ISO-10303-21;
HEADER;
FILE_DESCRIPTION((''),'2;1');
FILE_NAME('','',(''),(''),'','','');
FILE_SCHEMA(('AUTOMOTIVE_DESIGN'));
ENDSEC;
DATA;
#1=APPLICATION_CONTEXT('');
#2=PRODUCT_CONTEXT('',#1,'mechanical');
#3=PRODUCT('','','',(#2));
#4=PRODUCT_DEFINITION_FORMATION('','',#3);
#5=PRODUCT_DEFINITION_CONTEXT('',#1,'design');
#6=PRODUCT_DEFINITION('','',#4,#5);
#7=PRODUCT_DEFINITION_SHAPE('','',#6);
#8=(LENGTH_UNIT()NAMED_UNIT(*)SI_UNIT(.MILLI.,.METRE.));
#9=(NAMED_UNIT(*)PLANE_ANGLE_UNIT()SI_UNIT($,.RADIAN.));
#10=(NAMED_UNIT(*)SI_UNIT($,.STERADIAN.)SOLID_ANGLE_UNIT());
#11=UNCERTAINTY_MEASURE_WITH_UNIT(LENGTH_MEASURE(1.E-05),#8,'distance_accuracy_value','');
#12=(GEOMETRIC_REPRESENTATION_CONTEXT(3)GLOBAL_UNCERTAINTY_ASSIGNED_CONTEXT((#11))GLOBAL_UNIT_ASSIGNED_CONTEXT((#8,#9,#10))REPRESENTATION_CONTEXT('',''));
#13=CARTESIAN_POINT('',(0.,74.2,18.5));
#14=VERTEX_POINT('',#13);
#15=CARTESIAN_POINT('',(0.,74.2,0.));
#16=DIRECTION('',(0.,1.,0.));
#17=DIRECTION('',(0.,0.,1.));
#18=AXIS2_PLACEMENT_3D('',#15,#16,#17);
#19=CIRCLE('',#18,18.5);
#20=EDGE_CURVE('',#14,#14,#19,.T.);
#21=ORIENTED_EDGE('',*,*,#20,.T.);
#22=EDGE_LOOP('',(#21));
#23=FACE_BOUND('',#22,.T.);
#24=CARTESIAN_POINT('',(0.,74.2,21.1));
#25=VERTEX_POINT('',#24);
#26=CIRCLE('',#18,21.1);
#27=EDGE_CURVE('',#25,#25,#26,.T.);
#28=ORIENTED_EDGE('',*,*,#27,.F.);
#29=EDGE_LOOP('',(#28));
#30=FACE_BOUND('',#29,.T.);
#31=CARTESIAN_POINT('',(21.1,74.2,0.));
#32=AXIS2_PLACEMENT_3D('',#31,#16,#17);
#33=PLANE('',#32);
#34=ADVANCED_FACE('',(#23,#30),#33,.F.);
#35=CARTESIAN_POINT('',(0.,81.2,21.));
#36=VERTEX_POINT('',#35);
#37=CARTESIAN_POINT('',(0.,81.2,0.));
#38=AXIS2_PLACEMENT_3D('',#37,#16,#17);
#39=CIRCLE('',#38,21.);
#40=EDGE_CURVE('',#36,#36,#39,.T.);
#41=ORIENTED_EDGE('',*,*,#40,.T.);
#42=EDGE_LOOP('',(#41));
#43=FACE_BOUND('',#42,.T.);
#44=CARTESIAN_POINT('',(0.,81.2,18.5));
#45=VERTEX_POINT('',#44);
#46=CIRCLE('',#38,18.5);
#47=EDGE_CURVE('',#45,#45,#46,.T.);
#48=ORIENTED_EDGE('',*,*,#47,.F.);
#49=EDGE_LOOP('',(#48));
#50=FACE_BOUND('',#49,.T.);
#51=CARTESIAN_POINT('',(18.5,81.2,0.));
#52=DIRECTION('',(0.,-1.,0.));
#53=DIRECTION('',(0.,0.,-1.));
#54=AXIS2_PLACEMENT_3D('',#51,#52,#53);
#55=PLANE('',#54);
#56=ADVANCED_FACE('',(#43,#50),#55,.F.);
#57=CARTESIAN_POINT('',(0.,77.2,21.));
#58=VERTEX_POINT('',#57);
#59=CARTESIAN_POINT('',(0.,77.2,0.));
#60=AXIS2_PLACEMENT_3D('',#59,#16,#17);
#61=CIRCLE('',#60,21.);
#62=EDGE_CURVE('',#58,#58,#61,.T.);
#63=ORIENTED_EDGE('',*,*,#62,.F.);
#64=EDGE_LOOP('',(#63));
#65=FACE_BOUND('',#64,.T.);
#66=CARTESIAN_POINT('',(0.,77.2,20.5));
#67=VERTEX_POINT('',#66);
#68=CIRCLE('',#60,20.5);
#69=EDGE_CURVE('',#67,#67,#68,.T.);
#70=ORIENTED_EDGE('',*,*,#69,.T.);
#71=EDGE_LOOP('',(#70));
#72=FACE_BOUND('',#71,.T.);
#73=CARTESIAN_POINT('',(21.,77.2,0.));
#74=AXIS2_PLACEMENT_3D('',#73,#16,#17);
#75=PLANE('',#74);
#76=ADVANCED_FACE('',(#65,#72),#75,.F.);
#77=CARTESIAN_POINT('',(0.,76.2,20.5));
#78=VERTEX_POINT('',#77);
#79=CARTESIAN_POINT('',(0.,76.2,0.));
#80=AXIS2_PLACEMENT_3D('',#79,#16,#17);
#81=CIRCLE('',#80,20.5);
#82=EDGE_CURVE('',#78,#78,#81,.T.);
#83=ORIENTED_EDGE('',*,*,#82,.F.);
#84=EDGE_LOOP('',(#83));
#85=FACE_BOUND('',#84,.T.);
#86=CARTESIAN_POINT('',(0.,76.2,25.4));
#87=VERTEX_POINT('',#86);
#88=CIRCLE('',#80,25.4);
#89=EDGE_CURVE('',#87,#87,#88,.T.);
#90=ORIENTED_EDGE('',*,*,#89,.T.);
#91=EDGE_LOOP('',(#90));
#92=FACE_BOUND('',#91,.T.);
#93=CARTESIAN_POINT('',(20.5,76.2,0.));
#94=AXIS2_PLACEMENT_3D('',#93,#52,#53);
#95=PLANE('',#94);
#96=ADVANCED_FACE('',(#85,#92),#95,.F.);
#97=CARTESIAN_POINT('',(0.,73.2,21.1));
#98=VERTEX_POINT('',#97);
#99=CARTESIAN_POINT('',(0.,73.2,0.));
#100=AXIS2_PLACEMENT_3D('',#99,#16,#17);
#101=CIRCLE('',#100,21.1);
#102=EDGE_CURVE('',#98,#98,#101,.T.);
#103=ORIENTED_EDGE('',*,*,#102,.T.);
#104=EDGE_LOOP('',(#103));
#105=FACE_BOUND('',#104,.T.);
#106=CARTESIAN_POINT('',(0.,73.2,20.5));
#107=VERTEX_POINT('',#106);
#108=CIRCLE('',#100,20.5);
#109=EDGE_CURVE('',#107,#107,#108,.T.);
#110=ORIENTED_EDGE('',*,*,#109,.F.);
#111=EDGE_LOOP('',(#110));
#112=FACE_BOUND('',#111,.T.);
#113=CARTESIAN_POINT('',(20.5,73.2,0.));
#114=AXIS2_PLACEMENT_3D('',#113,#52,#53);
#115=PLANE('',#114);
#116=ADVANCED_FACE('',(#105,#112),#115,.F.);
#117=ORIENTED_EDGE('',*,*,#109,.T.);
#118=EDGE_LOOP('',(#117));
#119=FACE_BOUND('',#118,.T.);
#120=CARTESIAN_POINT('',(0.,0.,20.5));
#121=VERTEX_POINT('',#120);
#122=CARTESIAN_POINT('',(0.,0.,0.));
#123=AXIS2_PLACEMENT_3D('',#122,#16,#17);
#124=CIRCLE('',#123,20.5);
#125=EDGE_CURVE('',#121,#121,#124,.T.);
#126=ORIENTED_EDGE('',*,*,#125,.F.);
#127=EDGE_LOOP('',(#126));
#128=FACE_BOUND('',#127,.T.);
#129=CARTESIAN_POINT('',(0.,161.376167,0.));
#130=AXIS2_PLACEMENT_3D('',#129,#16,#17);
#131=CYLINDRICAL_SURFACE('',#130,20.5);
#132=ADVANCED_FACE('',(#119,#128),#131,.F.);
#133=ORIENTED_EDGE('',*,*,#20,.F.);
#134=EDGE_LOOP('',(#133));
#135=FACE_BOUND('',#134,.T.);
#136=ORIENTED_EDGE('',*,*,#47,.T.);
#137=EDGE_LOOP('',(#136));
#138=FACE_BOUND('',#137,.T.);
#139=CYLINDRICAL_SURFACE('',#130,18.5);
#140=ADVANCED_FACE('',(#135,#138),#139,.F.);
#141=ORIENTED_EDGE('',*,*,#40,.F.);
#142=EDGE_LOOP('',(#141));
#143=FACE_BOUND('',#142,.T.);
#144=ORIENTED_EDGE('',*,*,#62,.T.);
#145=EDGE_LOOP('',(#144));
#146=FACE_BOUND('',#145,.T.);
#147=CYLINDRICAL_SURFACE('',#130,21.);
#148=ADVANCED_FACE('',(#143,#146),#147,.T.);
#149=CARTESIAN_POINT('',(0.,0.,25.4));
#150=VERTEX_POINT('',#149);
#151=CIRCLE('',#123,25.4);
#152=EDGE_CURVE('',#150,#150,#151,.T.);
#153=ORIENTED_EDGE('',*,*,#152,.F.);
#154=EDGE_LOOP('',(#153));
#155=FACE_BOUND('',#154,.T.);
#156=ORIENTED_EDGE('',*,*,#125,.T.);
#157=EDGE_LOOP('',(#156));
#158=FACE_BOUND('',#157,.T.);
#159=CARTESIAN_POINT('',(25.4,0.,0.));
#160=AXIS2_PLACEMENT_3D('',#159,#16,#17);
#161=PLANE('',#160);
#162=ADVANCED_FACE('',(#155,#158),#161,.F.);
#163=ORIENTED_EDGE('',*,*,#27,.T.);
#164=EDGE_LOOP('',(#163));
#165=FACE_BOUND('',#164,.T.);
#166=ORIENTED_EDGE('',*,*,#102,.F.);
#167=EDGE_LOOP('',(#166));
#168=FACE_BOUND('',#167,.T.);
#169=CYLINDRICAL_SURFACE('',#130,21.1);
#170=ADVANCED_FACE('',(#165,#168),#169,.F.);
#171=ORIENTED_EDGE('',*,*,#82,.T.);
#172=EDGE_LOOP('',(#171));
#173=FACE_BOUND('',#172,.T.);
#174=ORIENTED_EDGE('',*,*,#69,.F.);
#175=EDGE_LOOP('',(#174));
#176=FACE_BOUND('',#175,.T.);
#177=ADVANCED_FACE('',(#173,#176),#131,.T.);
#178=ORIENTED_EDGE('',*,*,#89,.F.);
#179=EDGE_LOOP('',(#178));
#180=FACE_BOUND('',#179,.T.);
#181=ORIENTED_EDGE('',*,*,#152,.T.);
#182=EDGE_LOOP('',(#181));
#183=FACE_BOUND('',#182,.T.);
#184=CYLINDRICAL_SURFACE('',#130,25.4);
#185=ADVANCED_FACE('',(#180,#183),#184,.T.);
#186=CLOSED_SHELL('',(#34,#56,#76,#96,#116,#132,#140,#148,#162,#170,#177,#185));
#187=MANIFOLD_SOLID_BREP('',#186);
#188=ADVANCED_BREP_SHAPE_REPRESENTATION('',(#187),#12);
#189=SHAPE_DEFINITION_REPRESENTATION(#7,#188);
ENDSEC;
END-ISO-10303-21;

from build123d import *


with BuildPart() as part:
    # 草图1 → 旋转1 (revolve)
    with BuildSketch(Plane.XY, mode=Mode.PRIVATE) as revolve_1_sk:
        Polygon((18.5, 81.2), (21, 81.2), (21, 77.2), (20.5, 77.2), (20.5, 76.2), (25.4, 76.2), (25.4, 0), (20.5, 0), (20.5, 73.2), (21.1, 73.2), (21.1, 74.2), (18.5, 74.2), align=None)
    revolve(revolve_1_sk.sketch.rotate(Axis((0, 161.376166943, 0), (0, -1, 0)), 90), axis=Axis((0, 161.376166943, 0), (0, -1, 0)))  # turned: the seam where the file's is


solid = part.part
